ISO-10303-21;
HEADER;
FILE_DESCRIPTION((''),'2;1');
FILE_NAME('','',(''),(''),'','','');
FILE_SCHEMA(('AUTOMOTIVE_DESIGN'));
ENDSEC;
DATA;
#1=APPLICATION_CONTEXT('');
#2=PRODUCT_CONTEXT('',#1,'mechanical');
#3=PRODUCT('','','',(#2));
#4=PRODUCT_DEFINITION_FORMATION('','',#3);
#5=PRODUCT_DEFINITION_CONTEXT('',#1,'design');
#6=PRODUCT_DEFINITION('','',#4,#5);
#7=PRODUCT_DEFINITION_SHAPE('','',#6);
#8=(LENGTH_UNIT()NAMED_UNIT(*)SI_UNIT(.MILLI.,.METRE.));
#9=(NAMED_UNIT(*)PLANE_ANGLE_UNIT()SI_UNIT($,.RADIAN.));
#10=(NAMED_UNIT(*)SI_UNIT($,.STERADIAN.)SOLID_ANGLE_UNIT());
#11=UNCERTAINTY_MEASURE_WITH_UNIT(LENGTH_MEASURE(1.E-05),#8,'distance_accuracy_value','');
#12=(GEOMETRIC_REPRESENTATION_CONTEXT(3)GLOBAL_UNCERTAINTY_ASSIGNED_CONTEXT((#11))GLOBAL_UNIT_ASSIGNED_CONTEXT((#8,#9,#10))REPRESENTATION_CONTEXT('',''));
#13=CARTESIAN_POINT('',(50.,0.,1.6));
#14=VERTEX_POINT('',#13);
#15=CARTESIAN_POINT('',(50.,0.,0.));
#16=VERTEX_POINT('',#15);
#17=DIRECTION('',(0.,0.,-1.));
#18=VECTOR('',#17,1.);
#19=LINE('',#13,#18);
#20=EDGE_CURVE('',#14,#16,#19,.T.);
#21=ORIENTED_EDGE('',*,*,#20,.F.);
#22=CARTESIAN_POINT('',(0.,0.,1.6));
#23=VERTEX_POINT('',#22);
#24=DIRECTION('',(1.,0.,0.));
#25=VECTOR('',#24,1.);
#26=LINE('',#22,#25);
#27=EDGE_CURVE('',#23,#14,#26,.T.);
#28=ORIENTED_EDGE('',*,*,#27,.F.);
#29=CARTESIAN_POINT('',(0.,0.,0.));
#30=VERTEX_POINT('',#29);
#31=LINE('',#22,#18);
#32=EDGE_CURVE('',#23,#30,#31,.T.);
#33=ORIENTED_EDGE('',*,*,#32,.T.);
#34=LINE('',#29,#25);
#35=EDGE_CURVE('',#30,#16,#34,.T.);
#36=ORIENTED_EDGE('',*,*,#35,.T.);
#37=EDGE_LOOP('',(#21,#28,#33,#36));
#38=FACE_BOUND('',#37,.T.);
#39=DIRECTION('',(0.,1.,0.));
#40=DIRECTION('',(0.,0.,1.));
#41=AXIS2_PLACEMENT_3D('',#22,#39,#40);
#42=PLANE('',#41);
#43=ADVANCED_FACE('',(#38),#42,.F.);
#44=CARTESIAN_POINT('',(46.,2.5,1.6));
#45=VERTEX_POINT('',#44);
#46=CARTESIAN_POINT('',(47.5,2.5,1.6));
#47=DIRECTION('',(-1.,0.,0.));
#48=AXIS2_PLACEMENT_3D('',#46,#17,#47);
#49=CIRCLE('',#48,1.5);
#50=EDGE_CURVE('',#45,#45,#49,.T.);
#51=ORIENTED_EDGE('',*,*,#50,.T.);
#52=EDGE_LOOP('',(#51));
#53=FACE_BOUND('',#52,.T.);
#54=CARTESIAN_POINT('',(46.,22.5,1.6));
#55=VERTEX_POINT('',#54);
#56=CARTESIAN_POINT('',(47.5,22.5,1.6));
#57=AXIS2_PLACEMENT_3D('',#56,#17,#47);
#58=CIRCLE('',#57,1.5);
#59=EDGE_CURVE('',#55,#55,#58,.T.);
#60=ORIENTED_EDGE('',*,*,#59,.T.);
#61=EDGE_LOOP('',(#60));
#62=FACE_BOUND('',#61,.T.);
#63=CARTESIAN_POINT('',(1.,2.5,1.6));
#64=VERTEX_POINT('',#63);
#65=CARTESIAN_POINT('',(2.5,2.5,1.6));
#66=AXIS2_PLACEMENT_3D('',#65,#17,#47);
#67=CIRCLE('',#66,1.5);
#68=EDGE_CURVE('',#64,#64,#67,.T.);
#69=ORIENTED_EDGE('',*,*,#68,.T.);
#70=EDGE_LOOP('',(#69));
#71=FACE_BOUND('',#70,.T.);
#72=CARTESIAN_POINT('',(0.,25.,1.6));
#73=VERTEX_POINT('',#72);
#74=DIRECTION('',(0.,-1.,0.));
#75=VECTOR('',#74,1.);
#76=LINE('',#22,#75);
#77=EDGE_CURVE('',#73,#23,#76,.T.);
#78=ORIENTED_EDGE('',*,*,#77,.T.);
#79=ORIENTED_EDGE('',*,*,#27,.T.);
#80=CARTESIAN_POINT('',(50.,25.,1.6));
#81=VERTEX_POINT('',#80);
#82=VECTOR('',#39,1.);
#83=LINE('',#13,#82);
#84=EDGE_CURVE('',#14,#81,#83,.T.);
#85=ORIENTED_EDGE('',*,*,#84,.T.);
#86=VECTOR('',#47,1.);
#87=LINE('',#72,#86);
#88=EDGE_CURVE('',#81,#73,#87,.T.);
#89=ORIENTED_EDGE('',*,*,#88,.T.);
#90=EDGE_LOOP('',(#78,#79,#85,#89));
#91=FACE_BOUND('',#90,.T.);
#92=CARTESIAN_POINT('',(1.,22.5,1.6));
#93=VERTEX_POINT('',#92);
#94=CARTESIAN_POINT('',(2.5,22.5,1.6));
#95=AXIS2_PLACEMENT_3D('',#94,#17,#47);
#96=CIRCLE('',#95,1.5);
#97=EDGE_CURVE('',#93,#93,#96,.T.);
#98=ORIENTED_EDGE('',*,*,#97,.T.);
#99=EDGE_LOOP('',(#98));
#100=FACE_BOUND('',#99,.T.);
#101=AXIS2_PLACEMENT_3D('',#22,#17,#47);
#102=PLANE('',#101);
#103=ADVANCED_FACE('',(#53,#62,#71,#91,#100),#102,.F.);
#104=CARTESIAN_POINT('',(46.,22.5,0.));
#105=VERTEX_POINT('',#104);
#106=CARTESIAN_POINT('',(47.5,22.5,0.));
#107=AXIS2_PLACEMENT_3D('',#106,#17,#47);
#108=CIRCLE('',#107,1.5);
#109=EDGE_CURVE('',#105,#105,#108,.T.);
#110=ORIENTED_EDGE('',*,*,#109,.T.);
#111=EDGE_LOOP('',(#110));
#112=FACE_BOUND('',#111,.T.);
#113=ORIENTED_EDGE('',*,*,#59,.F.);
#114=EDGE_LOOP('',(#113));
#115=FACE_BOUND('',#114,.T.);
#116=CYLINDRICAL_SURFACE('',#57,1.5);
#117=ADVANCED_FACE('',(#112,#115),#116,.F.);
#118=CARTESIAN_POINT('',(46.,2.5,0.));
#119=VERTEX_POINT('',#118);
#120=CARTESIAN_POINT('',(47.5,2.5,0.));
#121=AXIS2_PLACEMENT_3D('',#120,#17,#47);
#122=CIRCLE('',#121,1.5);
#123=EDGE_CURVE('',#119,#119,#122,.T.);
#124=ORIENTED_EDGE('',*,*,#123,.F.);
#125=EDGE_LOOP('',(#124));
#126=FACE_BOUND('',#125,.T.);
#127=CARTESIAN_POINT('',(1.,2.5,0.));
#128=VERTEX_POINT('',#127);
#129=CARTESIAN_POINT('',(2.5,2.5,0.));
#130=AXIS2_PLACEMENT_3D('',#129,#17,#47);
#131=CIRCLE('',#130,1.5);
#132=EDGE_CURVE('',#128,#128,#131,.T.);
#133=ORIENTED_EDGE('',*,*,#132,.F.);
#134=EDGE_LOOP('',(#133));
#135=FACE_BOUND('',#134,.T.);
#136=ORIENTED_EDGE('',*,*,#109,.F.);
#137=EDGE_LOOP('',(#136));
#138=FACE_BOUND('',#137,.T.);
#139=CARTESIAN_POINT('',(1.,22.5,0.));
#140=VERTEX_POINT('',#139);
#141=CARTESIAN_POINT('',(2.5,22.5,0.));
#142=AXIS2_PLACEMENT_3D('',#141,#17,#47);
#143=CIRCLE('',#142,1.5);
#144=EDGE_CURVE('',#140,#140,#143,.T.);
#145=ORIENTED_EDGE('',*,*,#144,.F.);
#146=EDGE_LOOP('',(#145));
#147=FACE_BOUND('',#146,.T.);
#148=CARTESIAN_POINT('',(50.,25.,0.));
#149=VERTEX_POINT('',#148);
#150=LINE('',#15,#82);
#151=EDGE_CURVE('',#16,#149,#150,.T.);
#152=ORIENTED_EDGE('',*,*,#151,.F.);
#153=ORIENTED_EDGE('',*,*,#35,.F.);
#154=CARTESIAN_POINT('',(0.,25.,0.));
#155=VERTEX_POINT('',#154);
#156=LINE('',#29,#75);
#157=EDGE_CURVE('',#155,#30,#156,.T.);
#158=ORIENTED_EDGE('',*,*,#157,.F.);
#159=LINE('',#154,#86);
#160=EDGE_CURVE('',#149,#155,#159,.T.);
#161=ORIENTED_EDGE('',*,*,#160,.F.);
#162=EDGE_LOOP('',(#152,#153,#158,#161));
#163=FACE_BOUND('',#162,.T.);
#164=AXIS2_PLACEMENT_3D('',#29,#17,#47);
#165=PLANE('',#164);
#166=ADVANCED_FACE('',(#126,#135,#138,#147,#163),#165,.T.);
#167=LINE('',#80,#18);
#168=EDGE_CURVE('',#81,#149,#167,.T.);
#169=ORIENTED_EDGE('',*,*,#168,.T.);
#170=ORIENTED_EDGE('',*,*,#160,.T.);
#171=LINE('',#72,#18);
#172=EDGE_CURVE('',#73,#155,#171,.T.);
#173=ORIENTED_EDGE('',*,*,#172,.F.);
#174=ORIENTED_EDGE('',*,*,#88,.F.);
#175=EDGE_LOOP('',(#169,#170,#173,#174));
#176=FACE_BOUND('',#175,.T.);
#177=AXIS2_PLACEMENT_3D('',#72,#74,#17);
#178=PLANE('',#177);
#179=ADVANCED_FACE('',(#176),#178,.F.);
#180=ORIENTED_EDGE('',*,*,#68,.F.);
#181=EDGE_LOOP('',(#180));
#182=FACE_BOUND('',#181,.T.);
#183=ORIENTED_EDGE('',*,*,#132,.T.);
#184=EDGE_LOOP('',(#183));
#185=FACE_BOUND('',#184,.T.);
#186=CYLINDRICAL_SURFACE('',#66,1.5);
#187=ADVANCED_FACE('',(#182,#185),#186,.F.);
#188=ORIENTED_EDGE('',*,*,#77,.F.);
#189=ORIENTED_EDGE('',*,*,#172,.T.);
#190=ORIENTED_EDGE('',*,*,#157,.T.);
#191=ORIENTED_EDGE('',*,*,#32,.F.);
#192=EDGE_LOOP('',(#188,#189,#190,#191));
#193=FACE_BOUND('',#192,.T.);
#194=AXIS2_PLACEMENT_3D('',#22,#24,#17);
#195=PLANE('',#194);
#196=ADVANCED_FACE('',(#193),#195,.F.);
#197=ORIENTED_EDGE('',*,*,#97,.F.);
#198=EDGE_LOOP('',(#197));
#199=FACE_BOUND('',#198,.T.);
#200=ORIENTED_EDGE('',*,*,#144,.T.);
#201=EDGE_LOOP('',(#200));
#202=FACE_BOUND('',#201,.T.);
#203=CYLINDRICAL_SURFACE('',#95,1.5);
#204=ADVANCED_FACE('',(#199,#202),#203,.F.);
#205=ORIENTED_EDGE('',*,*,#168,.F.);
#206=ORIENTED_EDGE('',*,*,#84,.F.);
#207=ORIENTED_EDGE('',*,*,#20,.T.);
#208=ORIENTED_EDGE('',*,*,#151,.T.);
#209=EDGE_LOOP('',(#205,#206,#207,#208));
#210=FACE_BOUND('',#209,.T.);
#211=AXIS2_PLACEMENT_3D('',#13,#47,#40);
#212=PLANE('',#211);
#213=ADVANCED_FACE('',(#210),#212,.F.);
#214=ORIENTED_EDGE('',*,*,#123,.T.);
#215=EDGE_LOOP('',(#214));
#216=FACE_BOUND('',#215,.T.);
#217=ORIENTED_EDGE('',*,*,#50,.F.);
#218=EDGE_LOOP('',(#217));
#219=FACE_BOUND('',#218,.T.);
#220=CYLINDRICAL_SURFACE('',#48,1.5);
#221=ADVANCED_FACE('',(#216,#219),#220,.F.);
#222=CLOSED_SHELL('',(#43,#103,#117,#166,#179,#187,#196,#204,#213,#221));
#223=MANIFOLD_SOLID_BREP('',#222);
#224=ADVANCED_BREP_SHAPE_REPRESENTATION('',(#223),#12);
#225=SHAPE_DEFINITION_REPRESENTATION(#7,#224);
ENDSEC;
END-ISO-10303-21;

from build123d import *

# Parameters (mm, degrees)
SKETCH1_W           = 50
SKETCH1_H           = 25
BOSS_EXTRUDE1_DEPTH = 1.6
SKETCH2_R           = 1.5
CUT_EXTRUDE1_DEPTH  = 1.6


with BuildPart() as part:
    # Sketch1 → Boss-Extrude1 (new body)
    with BuildSketch(Plane.XY):
        with Locations((25, 12.5)):
            Rectangle(SKETCH1_W, SKETCH1_H)
    extrude(amount=BOSS_EXTRUDE1_DEPTH)

    # Sketch2 → Cut-Extrude1 (cut)
    with BuildSketch(Plane(origin=(0, 0, 0), x_dir=(-1, 0, 0), z_dir=(0, 0, -1))):
        with Locations((-2.5, 2.5)):
            Circle(SKETCH2_R)
        with Locations((-47.5, 2.5)):
            Circle(SKETCH2_R)
        with Locations((-47.5, 22.5)):
            Circle(SKETCH2_R)
        with Locations((-2.5, 22.5)):
            Circle(SKETCH2_R)
    extrude(amount=-CUT_EXTRUDE1_DEPTH, mode=Mode.SUBTRACT)


solid = part.part
